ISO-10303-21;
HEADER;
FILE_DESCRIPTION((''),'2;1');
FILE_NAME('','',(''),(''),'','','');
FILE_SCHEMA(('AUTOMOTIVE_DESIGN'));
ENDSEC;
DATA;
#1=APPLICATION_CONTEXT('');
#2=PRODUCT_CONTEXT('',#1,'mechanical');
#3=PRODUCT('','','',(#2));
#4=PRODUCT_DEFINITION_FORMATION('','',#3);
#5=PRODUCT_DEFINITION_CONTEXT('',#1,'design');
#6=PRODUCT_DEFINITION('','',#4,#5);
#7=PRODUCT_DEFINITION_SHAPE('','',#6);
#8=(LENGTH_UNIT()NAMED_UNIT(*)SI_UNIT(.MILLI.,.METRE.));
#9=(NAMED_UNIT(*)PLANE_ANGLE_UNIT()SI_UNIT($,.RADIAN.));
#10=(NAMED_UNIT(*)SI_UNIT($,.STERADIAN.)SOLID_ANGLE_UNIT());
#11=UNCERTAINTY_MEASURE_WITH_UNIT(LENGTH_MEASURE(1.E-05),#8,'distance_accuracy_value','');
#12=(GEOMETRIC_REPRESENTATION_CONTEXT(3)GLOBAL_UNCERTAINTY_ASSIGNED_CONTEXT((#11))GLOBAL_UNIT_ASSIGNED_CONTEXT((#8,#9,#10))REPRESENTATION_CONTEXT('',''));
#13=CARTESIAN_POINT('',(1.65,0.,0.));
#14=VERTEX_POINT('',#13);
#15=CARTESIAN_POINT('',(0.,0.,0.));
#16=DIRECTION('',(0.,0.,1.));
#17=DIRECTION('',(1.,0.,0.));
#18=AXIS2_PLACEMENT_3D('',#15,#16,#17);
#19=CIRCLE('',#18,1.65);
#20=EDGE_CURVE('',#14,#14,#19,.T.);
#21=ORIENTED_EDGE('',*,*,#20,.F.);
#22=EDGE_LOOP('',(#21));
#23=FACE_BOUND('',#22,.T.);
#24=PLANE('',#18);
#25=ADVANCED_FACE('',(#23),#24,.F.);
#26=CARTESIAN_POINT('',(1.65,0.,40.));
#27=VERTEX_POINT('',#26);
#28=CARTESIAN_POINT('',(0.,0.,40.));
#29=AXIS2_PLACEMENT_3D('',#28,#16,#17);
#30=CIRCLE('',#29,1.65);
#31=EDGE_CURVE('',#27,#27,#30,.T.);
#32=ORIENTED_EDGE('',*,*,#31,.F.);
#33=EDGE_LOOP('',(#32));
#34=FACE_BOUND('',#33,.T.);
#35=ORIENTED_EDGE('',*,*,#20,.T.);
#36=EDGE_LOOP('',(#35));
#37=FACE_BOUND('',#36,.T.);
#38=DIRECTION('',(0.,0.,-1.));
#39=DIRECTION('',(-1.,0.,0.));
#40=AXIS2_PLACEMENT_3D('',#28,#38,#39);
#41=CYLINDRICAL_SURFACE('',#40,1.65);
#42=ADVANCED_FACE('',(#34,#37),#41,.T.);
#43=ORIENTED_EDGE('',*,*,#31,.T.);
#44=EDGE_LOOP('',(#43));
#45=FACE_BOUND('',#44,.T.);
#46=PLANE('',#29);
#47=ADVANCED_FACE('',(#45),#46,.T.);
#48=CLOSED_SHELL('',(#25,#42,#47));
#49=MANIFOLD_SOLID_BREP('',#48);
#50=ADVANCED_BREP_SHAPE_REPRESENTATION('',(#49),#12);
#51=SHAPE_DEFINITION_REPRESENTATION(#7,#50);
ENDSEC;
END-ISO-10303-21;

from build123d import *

# Parameters (mm, degrees)
SKICA1_R                = 1.65
P_IDAT_VYSUNUT_M1_DEPTH = 40


with BuildPart() as part:
    # Skica1 → Přidat vysunutím1 (new body)
    with BuildSketch(Plane.XY):
        Circle(SKICA1_R)
    extrude(amount=P_IDAT_VYSUNUT_M1_DEPTH)


solid = part.part
